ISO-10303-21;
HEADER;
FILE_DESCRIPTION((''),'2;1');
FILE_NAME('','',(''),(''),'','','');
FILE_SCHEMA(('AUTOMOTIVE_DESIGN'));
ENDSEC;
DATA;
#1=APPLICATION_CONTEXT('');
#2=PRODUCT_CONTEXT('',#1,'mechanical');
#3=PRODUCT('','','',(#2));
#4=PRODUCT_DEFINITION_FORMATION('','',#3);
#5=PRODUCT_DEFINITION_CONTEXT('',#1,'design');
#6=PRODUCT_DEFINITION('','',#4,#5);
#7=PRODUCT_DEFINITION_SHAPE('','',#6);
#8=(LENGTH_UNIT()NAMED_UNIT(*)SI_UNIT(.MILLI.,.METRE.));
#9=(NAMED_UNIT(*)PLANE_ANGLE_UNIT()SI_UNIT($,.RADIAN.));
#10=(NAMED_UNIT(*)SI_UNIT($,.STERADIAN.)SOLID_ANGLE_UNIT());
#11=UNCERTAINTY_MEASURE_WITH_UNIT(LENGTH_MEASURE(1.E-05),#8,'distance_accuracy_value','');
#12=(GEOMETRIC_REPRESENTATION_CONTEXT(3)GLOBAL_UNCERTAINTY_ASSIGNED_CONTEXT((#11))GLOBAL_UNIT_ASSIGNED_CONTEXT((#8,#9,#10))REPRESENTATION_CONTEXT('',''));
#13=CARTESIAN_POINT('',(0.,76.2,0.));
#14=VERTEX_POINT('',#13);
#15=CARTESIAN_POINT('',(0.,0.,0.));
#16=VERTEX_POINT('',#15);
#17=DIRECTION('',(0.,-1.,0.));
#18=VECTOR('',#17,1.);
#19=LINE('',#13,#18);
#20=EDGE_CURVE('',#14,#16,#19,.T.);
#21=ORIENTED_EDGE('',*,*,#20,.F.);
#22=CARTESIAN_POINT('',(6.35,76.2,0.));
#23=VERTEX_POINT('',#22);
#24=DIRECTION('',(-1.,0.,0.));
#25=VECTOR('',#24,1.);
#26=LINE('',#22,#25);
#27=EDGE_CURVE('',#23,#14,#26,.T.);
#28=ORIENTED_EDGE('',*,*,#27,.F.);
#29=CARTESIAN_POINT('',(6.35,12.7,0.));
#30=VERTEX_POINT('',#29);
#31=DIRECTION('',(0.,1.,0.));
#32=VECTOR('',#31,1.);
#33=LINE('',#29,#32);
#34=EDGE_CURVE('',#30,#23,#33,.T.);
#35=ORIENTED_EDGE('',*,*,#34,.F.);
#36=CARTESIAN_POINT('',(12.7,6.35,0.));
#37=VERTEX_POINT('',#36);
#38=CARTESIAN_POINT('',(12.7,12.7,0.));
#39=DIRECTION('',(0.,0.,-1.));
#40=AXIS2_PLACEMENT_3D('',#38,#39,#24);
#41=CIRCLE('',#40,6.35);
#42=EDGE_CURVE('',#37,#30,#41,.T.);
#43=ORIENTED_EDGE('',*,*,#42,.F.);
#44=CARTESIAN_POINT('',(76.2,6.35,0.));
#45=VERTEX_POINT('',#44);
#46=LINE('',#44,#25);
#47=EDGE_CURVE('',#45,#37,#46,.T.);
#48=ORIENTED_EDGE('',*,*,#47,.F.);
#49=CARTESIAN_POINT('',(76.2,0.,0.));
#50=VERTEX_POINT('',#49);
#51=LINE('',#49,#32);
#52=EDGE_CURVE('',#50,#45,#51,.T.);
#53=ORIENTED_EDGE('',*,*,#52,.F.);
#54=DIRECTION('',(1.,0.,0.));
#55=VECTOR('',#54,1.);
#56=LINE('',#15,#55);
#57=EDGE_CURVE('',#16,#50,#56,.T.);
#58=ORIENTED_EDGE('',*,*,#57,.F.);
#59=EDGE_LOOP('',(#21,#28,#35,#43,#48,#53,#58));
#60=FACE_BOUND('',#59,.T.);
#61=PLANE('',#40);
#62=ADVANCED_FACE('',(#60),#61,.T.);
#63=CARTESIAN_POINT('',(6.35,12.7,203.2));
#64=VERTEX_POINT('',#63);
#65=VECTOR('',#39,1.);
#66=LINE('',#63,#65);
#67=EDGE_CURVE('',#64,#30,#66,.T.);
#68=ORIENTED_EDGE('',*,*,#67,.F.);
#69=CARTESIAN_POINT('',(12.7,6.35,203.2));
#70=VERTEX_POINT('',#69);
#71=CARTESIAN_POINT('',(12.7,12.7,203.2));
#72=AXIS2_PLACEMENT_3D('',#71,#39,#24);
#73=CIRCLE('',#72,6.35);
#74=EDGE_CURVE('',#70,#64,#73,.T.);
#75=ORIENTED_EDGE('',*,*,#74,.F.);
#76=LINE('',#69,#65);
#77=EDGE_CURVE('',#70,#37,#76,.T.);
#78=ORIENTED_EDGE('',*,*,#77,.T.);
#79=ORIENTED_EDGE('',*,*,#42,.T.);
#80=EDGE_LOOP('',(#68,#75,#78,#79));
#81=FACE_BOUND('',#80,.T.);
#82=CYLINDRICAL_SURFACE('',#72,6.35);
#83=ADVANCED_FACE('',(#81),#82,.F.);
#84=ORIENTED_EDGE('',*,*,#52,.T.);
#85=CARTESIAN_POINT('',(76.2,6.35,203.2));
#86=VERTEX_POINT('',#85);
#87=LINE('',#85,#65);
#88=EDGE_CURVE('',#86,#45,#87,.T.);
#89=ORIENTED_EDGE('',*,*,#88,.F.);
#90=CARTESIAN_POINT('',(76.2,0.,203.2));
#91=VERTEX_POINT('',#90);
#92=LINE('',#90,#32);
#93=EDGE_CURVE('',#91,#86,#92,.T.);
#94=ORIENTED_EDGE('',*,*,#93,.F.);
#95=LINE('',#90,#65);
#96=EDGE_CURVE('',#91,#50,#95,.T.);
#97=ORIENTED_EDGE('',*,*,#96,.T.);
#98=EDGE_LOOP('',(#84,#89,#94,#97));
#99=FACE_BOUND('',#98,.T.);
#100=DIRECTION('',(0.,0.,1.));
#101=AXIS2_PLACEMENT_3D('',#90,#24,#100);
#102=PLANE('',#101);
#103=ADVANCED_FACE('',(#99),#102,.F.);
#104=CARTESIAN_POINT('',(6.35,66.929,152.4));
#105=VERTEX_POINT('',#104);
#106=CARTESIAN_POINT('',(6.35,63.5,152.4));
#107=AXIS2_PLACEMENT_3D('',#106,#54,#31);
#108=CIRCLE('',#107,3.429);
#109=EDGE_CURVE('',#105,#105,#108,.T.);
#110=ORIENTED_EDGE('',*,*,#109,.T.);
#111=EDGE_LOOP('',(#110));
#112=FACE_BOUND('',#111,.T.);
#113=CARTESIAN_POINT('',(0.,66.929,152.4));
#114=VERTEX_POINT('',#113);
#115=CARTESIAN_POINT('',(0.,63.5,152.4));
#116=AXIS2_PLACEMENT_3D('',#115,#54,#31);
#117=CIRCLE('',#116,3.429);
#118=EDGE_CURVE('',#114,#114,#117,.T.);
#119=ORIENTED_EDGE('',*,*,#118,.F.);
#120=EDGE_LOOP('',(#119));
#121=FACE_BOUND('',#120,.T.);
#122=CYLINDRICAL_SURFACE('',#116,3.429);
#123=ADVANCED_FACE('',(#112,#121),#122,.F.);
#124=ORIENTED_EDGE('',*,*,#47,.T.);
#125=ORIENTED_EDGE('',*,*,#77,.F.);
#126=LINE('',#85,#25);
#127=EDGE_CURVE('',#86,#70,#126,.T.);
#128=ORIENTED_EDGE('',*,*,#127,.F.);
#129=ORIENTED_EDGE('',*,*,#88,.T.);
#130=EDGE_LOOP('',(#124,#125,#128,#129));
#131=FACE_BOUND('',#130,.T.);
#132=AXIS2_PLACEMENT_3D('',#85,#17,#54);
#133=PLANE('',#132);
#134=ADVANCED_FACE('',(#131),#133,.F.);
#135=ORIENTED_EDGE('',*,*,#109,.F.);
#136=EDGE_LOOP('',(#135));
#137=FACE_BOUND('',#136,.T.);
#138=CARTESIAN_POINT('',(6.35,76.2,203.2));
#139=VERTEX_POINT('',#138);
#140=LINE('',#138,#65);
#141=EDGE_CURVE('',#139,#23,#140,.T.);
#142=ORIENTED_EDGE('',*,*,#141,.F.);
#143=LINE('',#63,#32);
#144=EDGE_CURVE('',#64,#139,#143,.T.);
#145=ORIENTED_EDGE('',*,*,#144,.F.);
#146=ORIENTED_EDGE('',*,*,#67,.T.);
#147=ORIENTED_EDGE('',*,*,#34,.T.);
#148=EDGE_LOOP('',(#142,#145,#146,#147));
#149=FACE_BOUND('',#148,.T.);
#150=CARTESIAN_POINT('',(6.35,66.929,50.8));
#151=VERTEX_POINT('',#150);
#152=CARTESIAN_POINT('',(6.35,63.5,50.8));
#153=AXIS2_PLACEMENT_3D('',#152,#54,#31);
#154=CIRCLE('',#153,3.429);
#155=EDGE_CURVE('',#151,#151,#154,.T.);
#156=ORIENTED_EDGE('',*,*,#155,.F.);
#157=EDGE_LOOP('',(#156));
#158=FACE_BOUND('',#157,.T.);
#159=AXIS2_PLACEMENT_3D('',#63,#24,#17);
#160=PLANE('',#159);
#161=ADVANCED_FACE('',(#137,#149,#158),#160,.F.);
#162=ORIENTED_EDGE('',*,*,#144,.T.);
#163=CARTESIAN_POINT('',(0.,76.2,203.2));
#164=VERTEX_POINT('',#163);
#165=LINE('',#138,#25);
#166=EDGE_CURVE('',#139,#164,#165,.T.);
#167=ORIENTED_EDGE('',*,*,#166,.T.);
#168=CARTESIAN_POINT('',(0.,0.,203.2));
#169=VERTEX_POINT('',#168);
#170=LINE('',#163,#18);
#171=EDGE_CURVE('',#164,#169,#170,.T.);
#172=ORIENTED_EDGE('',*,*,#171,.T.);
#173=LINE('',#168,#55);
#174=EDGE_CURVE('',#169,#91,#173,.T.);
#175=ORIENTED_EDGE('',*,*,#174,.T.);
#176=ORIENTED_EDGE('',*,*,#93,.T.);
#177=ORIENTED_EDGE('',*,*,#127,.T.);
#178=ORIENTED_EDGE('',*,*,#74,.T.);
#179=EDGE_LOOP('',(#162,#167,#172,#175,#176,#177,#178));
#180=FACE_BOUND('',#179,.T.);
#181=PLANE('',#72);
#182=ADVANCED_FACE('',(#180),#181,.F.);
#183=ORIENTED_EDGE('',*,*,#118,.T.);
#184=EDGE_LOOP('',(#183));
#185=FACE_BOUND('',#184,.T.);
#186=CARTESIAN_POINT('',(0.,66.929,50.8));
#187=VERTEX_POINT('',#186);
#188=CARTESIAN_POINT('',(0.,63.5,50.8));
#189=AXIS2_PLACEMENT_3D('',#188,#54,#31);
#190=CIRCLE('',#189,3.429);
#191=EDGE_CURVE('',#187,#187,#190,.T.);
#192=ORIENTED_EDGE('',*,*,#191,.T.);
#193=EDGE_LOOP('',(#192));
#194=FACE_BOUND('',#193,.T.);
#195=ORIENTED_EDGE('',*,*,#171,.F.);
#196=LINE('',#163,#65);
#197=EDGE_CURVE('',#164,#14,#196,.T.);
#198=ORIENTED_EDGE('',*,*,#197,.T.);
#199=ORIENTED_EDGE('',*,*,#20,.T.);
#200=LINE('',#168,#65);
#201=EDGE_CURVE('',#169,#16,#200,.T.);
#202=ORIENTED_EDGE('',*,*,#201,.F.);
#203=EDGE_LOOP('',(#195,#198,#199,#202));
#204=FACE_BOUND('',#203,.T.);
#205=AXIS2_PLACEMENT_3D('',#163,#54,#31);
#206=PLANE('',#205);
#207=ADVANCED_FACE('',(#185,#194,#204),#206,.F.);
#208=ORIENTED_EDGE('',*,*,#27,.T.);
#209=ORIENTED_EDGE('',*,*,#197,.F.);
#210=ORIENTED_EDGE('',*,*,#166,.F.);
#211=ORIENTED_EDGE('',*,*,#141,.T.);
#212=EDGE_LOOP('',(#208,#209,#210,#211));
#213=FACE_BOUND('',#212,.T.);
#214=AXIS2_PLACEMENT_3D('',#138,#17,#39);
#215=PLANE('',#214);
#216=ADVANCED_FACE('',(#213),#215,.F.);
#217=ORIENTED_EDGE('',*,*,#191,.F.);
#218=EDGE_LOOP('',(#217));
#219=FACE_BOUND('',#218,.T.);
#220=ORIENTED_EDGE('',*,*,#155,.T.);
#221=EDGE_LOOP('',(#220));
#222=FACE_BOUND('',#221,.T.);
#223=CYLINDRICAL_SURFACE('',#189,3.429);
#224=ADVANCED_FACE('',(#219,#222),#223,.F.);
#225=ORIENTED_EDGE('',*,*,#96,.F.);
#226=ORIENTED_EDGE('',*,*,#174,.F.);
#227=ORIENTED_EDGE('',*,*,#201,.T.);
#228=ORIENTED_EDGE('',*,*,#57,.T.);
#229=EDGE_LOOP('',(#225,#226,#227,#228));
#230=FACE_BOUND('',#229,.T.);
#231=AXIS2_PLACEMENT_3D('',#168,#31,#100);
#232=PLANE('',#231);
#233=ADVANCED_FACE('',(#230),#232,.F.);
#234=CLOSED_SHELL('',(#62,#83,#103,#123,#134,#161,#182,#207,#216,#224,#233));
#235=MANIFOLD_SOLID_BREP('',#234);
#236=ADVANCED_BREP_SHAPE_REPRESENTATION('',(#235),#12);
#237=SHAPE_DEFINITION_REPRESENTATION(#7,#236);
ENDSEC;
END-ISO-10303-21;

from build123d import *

# Parameters (mm, degrees)
BOSS_EXTRUDE1_DEPTH = 203.2
SKETCH2_R           = 3.429
CUT_EXTRUDE1_DEPTH  = 228.981803002


with BuildPart() as part:
    # Sketch1 → Boss-Extrude1 (new body)
    with BuildSketch(Plane.XY):
        with BuildLine():
            Line((0, 0), (76.2, 0))
            Line((76.2, 0), (76.2, 6.35))
            Line((76.2, 6.35), (12.7, 6.35))
            ThreePointArc((12.7, 6.35), (8.209871939, 8.209871939), (6.35, 12.7))
            Line((6.35, 12.7), (6.35, 76.2))
            Line((6.35, 76.2), (0, 76.2))
            Line((0, 76.2), (0, 0))
        make_face()
    extrude(amount=BOSS_EXTRUDE1_DEPTH)

    # Sketch2 → Cut-Extrude1 (cut, through all)
    with BuildSketch(Plane(origin=(6.35, 0, 0), x_dir=(0, 0, -1), z_dir=(1, 0, 0))):
        with Locations(Location((-50.8, 63.5, 0), (0, 0, 90))):
            Circle(SKETCH2_R)
        with Locations(Location((-152.4, 63.5, 0), (0, 0, 90))):
            Circle(SKETCH2_R)
    extrude(amount=-CUT_EXTRUDE1_DEPTH, mode=Mode.SUBTRACT)


solid = part.part
